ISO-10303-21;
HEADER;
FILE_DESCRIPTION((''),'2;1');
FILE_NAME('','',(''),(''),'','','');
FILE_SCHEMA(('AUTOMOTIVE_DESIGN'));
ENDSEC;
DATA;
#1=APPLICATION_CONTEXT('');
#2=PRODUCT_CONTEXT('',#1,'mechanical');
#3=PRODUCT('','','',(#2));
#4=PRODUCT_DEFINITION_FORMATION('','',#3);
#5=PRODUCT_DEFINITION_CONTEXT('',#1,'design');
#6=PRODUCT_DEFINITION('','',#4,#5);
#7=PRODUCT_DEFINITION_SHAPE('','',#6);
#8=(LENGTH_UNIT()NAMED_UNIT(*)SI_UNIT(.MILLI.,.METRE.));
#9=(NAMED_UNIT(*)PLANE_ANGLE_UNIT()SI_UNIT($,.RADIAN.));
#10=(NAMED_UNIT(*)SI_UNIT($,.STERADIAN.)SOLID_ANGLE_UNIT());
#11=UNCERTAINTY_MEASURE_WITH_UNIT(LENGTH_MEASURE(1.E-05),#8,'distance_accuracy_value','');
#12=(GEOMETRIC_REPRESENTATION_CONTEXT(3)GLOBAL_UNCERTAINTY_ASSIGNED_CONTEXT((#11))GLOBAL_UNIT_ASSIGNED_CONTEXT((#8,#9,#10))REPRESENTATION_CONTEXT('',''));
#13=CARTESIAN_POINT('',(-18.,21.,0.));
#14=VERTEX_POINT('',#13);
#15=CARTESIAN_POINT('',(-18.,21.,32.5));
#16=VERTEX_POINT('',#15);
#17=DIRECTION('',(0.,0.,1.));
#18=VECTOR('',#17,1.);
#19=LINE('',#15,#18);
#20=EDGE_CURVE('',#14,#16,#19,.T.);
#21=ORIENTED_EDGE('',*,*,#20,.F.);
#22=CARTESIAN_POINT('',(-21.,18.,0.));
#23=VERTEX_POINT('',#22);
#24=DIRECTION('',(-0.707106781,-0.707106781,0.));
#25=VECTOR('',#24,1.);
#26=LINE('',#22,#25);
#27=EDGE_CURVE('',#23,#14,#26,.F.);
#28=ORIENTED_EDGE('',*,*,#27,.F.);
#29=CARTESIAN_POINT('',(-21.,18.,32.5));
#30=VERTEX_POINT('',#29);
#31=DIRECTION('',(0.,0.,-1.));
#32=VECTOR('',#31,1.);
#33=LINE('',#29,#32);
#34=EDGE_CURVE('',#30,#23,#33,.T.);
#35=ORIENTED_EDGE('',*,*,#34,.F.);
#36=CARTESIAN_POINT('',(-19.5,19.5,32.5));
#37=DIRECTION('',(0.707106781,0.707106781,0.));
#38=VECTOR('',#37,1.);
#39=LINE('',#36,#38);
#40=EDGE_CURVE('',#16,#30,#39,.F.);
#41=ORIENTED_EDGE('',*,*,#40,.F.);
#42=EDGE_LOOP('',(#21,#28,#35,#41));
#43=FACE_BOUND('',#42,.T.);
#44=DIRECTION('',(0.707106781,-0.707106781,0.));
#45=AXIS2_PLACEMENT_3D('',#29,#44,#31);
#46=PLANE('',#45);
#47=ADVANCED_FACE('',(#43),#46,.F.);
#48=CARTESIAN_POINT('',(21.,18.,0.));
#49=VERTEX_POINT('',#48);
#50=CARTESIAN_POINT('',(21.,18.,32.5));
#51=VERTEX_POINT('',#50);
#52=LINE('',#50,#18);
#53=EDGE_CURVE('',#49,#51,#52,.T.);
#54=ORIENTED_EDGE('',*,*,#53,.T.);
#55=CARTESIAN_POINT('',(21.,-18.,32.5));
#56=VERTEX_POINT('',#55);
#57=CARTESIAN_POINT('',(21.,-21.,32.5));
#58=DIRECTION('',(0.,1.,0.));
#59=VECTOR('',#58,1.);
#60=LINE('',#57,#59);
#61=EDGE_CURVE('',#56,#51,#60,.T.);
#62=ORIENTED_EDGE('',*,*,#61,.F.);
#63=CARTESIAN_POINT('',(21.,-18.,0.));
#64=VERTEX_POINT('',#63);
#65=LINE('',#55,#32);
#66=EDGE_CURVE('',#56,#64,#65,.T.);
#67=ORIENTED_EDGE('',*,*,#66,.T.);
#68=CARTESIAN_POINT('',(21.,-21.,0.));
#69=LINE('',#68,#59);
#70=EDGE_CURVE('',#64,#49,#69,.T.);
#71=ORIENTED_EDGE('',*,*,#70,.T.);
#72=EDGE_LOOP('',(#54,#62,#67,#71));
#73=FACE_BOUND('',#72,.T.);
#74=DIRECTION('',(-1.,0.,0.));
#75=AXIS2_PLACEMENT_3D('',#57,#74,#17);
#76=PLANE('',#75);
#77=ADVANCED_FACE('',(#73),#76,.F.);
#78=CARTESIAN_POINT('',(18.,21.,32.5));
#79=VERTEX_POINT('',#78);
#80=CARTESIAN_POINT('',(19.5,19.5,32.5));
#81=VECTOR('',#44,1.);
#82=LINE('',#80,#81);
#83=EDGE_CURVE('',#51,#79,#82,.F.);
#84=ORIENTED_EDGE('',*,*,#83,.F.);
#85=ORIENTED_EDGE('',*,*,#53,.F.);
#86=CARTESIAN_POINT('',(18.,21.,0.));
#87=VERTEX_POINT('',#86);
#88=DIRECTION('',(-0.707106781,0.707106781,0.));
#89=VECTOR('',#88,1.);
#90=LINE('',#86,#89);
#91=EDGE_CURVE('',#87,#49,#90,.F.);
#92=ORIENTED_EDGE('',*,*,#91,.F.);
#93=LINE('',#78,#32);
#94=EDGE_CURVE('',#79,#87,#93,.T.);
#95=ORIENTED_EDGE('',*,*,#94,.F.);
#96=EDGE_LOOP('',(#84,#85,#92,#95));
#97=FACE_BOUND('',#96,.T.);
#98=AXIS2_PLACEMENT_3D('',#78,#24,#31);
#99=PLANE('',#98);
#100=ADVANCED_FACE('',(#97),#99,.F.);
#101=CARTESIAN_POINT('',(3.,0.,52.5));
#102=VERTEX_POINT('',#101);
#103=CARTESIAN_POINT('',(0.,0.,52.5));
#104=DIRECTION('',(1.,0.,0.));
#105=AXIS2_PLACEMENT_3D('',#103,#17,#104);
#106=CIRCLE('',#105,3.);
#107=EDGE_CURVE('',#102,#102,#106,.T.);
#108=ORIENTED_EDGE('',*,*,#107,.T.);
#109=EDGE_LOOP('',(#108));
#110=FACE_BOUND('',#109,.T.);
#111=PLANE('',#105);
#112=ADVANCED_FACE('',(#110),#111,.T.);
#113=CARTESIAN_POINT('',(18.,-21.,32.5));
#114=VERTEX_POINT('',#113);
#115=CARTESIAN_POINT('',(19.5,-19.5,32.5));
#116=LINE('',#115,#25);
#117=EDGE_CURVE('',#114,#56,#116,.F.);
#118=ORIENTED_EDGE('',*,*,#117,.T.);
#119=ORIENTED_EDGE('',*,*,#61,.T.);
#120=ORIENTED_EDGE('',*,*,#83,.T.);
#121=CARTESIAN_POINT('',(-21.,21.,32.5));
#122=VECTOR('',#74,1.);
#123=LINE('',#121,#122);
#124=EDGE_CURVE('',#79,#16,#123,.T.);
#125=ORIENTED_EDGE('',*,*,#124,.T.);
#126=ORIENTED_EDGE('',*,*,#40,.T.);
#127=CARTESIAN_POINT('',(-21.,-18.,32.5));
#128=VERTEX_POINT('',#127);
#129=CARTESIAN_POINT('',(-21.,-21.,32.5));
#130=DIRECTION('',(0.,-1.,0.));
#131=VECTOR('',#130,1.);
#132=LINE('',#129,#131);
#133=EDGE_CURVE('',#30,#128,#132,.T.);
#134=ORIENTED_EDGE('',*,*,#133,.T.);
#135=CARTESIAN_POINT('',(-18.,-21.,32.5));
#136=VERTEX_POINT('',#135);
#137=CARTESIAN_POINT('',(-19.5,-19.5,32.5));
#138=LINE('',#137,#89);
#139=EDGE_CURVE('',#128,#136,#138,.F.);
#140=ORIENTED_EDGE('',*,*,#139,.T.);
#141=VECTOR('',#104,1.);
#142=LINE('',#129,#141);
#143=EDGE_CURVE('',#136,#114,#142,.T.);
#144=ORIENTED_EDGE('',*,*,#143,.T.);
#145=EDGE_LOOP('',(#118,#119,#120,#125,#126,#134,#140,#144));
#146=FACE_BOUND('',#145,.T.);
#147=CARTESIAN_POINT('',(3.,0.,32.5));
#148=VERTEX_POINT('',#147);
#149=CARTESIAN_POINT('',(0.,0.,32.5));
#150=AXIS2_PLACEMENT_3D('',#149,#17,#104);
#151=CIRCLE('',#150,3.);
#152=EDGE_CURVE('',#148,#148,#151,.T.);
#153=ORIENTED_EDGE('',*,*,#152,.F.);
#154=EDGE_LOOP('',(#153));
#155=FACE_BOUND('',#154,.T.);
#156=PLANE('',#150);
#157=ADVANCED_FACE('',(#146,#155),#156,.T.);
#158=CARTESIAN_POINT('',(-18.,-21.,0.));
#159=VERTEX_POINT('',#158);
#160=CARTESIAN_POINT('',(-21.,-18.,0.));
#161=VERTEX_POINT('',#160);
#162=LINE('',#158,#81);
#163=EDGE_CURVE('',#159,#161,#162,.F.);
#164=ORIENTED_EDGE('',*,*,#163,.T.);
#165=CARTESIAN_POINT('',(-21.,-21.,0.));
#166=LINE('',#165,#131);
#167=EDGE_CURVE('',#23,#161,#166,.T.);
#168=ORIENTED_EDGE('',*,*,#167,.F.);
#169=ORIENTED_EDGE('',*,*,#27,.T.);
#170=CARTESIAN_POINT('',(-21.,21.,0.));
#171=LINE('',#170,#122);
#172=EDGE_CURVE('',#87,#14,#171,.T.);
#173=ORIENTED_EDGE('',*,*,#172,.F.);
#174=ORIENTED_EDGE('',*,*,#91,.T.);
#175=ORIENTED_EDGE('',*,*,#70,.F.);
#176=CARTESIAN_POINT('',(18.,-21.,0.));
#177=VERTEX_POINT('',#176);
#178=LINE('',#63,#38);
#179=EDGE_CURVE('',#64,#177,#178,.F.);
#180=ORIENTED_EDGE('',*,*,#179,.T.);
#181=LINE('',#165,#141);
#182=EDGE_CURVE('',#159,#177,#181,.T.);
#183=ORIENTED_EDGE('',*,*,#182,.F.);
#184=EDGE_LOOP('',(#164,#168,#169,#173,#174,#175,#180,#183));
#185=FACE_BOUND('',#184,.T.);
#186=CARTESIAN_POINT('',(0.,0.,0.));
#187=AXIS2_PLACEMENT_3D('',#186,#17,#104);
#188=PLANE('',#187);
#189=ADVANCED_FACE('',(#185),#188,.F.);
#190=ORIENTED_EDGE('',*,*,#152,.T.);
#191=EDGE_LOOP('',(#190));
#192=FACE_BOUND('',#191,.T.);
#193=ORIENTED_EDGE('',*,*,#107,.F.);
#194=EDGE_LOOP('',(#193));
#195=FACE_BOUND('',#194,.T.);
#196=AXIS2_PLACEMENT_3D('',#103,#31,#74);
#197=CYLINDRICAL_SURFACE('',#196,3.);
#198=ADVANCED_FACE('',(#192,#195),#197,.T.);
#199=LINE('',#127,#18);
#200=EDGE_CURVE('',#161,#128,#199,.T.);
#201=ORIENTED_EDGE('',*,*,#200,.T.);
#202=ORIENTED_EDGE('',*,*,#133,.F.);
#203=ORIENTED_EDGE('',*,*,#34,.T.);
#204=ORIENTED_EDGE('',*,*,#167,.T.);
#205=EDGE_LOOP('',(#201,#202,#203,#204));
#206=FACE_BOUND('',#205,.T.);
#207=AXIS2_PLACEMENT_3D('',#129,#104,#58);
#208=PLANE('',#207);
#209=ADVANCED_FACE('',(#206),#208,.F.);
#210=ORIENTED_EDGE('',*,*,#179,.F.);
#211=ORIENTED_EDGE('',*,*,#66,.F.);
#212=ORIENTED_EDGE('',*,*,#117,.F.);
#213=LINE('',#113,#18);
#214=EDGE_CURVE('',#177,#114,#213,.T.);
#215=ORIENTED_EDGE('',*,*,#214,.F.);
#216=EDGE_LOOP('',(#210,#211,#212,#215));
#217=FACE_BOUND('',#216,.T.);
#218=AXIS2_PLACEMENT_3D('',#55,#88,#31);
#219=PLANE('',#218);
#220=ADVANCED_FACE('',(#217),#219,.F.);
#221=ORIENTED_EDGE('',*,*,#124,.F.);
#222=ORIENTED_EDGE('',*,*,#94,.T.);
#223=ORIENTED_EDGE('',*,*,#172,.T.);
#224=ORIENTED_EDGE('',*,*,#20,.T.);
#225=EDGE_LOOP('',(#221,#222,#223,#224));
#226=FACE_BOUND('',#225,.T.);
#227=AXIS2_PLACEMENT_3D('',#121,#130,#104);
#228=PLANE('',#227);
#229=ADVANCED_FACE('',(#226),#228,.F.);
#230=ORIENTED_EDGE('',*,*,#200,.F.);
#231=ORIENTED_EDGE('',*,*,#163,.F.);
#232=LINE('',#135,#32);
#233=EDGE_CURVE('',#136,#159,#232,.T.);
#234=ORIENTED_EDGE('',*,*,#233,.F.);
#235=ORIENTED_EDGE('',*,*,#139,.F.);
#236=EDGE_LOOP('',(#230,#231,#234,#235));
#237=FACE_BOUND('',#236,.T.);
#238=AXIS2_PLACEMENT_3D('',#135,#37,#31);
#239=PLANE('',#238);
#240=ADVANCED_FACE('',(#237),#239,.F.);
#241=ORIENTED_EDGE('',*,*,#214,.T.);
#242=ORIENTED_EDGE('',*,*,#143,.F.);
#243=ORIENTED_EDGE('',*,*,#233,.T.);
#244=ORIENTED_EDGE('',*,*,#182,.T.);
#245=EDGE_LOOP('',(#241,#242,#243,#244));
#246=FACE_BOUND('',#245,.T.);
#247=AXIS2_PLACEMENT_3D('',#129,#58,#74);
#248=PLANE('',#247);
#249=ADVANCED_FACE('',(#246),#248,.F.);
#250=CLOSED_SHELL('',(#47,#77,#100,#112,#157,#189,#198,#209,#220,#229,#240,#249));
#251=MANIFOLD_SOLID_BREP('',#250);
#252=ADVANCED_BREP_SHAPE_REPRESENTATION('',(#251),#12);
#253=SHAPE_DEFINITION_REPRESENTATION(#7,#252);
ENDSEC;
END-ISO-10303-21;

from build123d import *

# Parameters (mm, degrees)
SKETCH1_W           = 42
SKETCH1_H           = 42
BOSS_EXTRUDE1_DEPTH = 32.5
CHAMFER1_SIZE       = 3
SKETCH2_R           = 3
BOSS_EXTRUDE2_DEPTH = 20


with BuildPart() as part:
    # Sketch1 → Boss-Extrude1 (new body)
    with BuildSketch(Plane(origin=(0, 0, 0), x_dir=(0, 1, 0), z_dir=(0, 0, 1))):
        Rectangle(SKETCH1_W, SKETCH1_H)
    extrude(amount=BOSS_EXTRUDE1_DEPTH)

    # Chamfer1
    chamfer1_edges = [part.edges().sort_by_distance(p)[0] for p in [
        (21, 21, 16.25),
        (21, -21, 16.25),
        (-21, -21, 16.25),
        (-21, 21, 16.25),
    ]]
    chamfer(chamfer1_edges, length=CHAMFER1_SIZE)

    # Sketch2 → Boss-Extrude2 (add)
    with BuildSketch(Plane.XY.offset(32.5)):
        Circle(SKETCH2_R)
    extrude(amount=BOSS_EXTRUDE2_DEPTH)


solid = part.part
